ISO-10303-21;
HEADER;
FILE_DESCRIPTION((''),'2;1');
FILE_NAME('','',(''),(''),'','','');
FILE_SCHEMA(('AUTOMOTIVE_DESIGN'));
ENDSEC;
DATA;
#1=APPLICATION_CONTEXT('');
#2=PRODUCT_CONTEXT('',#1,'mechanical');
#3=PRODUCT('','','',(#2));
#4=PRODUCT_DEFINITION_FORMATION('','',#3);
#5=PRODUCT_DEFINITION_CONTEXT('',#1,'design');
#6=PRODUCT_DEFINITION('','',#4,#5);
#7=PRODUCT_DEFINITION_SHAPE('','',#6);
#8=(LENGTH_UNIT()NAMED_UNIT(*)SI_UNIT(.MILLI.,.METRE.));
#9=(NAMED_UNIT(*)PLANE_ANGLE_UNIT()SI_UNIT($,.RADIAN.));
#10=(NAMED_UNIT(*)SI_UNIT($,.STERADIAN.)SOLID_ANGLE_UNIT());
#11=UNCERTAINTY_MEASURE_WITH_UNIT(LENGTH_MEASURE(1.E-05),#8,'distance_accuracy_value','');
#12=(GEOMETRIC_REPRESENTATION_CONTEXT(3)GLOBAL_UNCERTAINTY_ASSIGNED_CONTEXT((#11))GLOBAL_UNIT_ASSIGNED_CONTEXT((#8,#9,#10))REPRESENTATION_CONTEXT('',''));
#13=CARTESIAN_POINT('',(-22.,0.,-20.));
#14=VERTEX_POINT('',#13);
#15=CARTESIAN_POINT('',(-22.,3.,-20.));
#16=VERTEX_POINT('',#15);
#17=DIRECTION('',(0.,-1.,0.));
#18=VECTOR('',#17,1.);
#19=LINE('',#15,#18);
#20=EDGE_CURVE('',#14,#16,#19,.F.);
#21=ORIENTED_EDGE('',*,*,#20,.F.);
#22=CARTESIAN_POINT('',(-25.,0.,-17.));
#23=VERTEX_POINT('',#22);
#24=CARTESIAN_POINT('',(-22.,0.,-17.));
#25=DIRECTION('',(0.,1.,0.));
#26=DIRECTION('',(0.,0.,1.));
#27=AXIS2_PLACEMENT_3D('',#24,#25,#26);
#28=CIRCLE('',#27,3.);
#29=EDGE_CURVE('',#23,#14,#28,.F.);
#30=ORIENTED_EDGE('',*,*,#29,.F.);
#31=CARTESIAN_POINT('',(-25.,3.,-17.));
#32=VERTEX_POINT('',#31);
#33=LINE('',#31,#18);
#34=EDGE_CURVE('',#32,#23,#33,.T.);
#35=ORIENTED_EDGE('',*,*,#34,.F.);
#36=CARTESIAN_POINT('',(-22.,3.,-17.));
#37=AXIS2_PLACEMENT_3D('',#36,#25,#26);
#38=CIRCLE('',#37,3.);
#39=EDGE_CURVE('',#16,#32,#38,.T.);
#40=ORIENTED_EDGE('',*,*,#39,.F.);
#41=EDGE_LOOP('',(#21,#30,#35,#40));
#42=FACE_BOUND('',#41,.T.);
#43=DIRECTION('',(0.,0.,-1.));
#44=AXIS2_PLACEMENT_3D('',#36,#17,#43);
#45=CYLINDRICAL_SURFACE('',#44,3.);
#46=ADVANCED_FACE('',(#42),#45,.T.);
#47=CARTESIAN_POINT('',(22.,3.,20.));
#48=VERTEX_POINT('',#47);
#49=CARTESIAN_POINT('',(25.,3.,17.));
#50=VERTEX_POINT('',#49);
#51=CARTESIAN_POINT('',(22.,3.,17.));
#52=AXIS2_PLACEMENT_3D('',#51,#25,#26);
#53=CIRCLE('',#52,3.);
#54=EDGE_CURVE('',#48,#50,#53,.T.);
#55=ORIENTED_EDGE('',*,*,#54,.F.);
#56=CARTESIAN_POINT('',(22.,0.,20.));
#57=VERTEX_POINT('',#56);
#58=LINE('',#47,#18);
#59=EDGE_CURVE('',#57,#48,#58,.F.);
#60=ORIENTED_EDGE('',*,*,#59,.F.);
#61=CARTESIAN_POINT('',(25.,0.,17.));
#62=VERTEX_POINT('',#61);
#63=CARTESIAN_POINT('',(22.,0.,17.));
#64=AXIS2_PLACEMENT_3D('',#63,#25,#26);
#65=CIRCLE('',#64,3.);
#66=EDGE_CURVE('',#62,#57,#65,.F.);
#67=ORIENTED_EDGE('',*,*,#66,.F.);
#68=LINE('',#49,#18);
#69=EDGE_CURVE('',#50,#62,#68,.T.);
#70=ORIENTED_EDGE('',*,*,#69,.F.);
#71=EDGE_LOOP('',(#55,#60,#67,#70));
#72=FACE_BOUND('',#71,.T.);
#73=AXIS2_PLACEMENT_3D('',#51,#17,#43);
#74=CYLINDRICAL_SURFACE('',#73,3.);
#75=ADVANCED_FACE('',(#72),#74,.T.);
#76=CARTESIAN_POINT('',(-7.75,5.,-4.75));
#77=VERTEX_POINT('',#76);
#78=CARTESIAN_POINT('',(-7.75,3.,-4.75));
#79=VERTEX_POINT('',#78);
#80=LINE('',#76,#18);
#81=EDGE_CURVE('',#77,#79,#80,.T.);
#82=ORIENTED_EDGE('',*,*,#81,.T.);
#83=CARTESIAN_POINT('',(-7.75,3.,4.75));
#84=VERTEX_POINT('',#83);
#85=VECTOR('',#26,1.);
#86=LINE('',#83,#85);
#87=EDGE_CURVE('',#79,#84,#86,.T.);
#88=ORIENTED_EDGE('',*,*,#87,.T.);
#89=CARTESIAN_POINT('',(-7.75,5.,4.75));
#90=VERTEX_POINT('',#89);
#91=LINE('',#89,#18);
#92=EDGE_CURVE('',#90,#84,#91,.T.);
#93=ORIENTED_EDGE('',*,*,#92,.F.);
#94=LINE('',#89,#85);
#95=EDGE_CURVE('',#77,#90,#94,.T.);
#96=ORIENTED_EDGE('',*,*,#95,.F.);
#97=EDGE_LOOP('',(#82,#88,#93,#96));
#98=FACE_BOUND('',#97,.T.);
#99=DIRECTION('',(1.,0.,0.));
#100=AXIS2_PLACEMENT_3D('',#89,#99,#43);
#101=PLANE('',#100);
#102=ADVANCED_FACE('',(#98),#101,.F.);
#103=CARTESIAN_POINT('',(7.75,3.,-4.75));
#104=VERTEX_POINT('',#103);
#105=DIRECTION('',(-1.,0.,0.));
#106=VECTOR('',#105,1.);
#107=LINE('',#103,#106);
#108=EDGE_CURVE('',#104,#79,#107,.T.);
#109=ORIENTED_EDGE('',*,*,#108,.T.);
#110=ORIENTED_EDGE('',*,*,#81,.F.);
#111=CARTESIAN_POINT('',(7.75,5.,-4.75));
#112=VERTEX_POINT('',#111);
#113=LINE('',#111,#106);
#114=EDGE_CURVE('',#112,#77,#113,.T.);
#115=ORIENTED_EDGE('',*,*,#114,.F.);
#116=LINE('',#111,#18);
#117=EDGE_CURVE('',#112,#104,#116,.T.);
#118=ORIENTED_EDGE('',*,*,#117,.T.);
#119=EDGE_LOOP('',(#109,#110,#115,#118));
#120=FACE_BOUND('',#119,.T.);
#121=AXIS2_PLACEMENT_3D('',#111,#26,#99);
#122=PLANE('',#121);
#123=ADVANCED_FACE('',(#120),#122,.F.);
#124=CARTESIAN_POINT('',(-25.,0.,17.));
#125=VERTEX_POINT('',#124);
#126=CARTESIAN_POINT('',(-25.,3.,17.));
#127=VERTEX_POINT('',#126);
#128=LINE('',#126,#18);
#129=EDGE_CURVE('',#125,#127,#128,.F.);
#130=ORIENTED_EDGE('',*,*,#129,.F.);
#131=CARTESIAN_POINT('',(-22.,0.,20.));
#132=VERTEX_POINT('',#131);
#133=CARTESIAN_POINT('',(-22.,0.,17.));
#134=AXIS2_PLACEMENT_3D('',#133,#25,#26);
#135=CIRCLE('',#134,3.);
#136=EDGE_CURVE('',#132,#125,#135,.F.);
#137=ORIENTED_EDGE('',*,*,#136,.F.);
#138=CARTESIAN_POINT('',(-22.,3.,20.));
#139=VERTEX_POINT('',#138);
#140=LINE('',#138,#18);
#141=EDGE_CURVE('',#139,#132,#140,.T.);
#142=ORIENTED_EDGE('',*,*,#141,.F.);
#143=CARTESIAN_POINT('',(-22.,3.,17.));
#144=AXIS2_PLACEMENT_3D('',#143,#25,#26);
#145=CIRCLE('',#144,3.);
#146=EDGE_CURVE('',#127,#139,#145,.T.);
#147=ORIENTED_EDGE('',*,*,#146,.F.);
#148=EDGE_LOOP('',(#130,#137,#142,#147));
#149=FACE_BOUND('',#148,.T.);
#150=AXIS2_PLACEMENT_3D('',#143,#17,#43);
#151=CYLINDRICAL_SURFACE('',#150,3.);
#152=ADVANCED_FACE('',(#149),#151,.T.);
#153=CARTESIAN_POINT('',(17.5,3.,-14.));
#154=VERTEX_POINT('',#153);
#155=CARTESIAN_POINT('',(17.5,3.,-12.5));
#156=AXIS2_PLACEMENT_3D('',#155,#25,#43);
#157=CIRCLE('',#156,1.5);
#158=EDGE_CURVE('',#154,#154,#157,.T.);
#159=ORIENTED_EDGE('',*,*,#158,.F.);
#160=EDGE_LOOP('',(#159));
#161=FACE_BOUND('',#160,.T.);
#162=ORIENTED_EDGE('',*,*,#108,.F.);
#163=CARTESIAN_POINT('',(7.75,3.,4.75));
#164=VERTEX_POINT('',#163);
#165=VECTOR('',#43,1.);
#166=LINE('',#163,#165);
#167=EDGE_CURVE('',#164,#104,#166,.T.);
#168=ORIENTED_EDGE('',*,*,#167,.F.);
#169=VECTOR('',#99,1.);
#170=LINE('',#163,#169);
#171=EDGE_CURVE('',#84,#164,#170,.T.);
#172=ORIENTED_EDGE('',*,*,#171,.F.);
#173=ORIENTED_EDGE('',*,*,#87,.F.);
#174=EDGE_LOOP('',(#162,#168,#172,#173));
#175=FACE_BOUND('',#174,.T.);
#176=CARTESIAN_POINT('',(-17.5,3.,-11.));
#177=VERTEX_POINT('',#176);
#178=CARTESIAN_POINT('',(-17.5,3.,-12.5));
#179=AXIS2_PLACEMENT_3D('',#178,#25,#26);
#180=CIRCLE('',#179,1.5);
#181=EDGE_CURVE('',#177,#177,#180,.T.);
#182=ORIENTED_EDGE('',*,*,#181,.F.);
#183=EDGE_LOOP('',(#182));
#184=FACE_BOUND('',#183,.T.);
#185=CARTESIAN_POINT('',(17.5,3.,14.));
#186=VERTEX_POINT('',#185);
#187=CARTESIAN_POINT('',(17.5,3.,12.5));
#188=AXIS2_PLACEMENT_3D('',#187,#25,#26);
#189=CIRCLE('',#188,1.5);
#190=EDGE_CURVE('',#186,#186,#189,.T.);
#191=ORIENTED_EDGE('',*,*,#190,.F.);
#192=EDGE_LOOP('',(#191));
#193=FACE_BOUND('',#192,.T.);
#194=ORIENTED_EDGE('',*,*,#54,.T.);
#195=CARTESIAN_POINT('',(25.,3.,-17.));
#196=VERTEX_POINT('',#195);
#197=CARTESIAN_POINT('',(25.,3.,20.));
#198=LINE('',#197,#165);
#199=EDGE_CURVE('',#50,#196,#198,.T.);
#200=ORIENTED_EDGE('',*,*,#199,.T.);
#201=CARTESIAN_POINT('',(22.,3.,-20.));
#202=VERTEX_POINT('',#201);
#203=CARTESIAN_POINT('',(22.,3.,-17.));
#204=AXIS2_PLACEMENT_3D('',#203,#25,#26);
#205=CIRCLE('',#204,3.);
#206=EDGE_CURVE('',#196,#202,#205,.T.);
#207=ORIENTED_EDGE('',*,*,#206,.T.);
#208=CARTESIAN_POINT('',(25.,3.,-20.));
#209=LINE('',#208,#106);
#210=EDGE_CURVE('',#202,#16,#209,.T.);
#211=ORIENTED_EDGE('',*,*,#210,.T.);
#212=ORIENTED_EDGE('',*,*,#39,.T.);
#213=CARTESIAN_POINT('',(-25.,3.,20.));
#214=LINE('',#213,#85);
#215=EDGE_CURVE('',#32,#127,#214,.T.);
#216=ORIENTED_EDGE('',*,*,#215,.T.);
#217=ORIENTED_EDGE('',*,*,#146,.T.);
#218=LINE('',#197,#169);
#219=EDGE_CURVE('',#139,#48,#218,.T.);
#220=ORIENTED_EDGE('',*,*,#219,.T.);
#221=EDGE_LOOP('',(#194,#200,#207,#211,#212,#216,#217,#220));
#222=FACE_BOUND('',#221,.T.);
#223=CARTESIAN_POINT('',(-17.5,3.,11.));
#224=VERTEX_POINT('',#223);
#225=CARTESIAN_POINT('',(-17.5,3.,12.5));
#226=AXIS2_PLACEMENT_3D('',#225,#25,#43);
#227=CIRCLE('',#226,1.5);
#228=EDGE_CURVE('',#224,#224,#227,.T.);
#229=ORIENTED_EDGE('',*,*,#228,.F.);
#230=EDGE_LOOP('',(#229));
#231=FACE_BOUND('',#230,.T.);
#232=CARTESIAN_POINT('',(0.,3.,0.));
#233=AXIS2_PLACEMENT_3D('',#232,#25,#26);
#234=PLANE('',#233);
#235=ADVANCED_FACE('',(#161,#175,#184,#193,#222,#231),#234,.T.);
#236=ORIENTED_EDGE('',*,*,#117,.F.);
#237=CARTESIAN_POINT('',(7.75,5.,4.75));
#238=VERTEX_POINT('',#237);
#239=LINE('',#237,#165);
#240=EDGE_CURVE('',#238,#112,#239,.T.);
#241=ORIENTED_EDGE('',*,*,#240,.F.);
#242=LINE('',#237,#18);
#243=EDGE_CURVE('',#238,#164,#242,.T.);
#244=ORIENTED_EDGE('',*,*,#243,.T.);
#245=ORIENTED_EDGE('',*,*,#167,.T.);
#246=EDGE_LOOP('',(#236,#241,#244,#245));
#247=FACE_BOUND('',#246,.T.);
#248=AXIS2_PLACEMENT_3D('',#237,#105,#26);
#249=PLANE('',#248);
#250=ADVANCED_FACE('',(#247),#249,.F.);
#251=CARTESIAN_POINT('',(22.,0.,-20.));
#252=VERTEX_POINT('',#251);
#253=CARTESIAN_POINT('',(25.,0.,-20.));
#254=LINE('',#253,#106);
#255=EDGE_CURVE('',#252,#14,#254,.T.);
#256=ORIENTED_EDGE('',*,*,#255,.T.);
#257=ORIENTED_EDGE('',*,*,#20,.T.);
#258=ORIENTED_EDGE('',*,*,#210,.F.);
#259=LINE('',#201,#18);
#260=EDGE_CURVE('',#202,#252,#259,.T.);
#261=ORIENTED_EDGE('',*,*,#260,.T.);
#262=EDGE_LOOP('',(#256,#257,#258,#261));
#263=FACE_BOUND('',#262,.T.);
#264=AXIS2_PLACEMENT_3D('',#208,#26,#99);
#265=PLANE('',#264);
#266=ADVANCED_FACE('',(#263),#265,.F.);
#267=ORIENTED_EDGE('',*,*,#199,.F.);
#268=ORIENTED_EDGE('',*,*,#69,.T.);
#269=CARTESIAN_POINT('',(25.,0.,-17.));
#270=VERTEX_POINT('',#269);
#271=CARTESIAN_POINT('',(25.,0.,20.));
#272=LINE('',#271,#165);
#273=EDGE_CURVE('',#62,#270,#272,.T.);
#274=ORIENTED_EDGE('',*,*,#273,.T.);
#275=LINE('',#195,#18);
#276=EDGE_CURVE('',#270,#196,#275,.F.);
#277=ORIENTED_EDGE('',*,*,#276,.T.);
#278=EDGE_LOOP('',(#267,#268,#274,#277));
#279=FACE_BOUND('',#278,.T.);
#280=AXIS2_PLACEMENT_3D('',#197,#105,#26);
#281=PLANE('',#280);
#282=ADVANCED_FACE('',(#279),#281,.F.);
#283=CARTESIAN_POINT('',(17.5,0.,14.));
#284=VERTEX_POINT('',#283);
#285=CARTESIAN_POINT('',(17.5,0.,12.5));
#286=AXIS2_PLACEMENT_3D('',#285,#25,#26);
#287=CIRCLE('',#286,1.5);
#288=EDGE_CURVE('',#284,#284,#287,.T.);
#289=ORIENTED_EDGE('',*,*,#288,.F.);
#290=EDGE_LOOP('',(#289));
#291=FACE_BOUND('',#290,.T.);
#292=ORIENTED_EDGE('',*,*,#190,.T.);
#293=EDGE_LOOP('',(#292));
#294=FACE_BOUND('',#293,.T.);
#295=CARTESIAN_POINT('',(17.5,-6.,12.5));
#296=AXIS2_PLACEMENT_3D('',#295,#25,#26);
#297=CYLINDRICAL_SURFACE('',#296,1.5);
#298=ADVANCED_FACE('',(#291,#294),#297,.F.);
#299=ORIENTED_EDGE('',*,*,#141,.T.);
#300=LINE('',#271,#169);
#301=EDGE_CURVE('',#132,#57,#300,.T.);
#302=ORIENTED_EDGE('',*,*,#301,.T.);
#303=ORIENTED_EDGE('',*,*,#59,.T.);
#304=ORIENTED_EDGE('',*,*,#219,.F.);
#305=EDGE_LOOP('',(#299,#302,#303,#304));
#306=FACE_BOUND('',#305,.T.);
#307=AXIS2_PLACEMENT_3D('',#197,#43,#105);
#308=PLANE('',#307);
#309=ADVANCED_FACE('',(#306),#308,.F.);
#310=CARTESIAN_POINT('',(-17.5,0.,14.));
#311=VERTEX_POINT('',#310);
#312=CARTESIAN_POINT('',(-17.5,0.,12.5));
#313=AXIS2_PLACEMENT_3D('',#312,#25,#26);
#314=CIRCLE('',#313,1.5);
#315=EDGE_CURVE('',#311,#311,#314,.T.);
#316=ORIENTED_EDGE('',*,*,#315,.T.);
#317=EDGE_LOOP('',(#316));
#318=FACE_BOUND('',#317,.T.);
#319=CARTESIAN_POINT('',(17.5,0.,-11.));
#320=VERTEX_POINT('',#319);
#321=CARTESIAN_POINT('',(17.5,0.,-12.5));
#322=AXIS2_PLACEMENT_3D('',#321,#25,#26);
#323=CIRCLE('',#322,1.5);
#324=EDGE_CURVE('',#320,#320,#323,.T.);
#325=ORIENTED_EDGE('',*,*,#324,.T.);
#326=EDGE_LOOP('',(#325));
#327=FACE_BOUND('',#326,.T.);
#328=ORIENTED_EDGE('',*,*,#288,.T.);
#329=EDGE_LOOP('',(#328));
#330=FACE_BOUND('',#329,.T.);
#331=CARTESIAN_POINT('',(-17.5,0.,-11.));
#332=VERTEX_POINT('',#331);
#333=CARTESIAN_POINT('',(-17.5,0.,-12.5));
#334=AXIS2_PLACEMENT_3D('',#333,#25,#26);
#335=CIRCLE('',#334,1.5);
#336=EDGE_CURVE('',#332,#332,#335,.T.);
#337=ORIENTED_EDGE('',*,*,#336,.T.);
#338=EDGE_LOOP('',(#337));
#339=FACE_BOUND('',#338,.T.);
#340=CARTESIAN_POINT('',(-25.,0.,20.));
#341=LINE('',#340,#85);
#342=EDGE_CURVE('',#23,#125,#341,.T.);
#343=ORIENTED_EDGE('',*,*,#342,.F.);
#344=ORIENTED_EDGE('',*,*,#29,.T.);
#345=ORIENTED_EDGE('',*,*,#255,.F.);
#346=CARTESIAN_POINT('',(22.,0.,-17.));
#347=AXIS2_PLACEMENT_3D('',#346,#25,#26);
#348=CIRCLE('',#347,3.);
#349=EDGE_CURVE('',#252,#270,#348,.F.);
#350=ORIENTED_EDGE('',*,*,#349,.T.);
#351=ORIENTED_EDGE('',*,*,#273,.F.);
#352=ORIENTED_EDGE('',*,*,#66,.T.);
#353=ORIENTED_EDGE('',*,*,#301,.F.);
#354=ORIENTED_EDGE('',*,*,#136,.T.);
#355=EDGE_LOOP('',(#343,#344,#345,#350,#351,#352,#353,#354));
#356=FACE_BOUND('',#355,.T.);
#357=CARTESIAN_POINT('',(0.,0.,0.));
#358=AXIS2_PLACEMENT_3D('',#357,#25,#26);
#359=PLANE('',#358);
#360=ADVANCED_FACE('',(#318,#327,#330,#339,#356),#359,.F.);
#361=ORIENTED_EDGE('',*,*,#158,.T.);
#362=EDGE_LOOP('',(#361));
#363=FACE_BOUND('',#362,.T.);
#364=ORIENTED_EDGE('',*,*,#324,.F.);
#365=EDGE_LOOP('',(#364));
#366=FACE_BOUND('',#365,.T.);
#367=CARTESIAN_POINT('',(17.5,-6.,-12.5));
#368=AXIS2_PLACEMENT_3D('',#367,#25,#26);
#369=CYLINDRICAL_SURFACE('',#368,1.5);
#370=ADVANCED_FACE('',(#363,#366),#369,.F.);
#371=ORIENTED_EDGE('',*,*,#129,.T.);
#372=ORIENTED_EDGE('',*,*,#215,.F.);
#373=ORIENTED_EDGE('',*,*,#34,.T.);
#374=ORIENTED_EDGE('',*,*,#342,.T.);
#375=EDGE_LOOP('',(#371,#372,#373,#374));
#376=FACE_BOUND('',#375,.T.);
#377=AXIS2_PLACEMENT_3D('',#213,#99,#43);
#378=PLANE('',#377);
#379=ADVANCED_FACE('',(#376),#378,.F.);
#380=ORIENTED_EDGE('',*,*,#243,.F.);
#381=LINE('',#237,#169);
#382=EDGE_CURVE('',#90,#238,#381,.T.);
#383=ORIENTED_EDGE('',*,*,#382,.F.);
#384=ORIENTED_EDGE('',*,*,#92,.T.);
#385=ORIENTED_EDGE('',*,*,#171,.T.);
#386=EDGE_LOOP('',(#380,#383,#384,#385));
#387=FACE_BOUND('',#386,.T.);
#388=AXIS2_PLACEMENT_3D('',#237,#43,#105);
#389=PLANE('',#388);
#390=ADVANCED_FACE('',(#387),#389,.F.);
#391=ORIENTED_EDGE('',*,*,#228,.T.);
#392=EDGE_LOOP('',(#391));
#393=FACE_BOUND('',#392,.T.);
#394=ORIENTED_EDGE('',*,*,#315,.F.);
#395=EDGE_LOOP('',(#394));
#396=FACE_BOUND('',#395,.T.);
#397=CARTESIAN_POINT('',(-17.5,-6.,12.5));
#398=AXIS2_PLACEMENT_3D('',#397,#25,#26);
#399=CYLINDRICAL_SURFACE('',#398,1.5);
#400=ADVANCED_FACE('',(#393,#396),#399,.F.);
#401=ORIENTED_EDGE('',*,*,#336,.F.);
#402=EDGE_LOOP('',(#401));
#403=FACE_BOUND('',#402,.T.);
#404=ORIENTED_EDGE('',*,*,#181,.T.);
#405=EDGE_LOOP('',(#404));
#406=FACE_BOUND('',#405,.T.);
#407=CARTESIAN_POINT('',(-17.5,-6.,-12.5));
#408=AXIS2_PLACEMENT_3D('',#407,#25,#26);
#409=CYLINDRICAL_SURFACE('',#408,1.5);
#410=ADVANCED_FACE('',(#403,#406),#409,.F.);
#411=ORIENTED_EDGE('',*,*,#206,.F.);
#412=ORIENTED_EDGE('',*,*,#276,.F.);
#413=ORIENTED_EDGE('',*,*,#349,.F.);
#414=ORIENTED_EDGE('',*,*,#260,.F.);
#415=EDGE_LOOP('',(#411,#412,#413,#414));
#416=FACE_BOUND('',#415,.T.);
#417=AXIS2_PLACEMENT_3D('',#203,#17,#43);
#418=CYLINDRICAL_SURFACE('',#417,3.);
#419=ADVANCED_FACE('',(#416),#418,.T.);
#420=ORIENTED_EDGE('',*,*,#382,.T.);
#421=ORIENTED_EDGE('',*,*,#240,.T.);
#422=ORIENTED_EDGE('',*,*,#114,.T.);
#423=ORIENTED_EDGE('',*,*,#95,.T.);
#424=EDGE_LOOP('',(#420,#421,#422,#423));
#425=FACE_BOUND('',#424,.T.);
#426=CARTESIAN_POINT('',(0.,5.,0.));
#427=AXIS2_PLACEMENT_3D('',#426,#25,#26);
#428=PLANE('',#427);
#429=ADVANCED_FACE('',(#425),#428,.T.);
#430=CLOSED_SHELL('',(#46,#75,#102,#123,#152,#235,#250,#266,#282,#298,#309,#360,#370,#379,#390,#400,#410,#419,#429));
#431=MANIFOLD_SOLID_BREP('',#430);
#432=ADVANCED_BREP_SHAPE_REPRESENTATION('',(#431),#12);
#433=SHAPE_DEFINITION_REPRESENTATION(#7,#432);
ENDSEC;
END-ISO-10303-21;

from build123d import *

# Parameters (mm, degrees)
SKETCH1_W     = 50
SKETCH1_H     = 40
BODY_DEPTH    = 3
FILLET_BODY_R = 3
SKETCH2_R     = 1.5
BOLTS_DEPTH   = 9
SKETCH3_W     = 15.5
SKETCH3_H     = 9.5
CHANNEL_DEPTH = 2


with BuildPart() as part:
    # Sketch1 → Body (new body)
    with BuildSketch(Plane(origin=(0, 0, 0), x_dir=(1, 0, 0), z_dir=(0, 1, 0))):
        Rectangle(SKETCH1_W, SKETCH1_H)
    extrude(amount=BODY_DEPTH)

    # Fillet_Body
    fillet_body_edges = [part.edges().sort_by_distance(p)[0] for p in [
        (-25, 1.5, -20),
        (25, 1.5, -20),
        (25, 1.5, 20),
        (-25, 1.5, 20),
    ]]
    fillet(fillet_body_edges, radius=FILLET_BODY_R)

    # Sketch2 → Bolts (cut)
    with BuildSketch(Plane(origin=(0, 3, 0), x_dir=(1, 0, 0), z_dir=(0, 1, 0))):
        with Locations((-17.5, 12.5)):
            Circle(SKETCH2_R)
        with Locations((17.5, 12.5)):
            Circle(SKETCH2_R)
        with Locations((17.5, -12.5)):
            Circle(SKETCH2_R)
        with Locations((-17.5, -12.5)):
            Circle(SKETCH2_R)
    extrude(amount=-BOLTS_DEPTH, mode=Mode.SUBTRACT)

    # Sketch3 → Channel (add)
    with BuildSketch(Plane(origin=(0, 3, 0), x_dir=(1, 0, 0), z_dir=(0, 1, 0))):
        Rectangle(SKETCH3_W, SKETCH3_H)
    extrude(amount=CHANNEL_DEPTH)


solid = part.part
